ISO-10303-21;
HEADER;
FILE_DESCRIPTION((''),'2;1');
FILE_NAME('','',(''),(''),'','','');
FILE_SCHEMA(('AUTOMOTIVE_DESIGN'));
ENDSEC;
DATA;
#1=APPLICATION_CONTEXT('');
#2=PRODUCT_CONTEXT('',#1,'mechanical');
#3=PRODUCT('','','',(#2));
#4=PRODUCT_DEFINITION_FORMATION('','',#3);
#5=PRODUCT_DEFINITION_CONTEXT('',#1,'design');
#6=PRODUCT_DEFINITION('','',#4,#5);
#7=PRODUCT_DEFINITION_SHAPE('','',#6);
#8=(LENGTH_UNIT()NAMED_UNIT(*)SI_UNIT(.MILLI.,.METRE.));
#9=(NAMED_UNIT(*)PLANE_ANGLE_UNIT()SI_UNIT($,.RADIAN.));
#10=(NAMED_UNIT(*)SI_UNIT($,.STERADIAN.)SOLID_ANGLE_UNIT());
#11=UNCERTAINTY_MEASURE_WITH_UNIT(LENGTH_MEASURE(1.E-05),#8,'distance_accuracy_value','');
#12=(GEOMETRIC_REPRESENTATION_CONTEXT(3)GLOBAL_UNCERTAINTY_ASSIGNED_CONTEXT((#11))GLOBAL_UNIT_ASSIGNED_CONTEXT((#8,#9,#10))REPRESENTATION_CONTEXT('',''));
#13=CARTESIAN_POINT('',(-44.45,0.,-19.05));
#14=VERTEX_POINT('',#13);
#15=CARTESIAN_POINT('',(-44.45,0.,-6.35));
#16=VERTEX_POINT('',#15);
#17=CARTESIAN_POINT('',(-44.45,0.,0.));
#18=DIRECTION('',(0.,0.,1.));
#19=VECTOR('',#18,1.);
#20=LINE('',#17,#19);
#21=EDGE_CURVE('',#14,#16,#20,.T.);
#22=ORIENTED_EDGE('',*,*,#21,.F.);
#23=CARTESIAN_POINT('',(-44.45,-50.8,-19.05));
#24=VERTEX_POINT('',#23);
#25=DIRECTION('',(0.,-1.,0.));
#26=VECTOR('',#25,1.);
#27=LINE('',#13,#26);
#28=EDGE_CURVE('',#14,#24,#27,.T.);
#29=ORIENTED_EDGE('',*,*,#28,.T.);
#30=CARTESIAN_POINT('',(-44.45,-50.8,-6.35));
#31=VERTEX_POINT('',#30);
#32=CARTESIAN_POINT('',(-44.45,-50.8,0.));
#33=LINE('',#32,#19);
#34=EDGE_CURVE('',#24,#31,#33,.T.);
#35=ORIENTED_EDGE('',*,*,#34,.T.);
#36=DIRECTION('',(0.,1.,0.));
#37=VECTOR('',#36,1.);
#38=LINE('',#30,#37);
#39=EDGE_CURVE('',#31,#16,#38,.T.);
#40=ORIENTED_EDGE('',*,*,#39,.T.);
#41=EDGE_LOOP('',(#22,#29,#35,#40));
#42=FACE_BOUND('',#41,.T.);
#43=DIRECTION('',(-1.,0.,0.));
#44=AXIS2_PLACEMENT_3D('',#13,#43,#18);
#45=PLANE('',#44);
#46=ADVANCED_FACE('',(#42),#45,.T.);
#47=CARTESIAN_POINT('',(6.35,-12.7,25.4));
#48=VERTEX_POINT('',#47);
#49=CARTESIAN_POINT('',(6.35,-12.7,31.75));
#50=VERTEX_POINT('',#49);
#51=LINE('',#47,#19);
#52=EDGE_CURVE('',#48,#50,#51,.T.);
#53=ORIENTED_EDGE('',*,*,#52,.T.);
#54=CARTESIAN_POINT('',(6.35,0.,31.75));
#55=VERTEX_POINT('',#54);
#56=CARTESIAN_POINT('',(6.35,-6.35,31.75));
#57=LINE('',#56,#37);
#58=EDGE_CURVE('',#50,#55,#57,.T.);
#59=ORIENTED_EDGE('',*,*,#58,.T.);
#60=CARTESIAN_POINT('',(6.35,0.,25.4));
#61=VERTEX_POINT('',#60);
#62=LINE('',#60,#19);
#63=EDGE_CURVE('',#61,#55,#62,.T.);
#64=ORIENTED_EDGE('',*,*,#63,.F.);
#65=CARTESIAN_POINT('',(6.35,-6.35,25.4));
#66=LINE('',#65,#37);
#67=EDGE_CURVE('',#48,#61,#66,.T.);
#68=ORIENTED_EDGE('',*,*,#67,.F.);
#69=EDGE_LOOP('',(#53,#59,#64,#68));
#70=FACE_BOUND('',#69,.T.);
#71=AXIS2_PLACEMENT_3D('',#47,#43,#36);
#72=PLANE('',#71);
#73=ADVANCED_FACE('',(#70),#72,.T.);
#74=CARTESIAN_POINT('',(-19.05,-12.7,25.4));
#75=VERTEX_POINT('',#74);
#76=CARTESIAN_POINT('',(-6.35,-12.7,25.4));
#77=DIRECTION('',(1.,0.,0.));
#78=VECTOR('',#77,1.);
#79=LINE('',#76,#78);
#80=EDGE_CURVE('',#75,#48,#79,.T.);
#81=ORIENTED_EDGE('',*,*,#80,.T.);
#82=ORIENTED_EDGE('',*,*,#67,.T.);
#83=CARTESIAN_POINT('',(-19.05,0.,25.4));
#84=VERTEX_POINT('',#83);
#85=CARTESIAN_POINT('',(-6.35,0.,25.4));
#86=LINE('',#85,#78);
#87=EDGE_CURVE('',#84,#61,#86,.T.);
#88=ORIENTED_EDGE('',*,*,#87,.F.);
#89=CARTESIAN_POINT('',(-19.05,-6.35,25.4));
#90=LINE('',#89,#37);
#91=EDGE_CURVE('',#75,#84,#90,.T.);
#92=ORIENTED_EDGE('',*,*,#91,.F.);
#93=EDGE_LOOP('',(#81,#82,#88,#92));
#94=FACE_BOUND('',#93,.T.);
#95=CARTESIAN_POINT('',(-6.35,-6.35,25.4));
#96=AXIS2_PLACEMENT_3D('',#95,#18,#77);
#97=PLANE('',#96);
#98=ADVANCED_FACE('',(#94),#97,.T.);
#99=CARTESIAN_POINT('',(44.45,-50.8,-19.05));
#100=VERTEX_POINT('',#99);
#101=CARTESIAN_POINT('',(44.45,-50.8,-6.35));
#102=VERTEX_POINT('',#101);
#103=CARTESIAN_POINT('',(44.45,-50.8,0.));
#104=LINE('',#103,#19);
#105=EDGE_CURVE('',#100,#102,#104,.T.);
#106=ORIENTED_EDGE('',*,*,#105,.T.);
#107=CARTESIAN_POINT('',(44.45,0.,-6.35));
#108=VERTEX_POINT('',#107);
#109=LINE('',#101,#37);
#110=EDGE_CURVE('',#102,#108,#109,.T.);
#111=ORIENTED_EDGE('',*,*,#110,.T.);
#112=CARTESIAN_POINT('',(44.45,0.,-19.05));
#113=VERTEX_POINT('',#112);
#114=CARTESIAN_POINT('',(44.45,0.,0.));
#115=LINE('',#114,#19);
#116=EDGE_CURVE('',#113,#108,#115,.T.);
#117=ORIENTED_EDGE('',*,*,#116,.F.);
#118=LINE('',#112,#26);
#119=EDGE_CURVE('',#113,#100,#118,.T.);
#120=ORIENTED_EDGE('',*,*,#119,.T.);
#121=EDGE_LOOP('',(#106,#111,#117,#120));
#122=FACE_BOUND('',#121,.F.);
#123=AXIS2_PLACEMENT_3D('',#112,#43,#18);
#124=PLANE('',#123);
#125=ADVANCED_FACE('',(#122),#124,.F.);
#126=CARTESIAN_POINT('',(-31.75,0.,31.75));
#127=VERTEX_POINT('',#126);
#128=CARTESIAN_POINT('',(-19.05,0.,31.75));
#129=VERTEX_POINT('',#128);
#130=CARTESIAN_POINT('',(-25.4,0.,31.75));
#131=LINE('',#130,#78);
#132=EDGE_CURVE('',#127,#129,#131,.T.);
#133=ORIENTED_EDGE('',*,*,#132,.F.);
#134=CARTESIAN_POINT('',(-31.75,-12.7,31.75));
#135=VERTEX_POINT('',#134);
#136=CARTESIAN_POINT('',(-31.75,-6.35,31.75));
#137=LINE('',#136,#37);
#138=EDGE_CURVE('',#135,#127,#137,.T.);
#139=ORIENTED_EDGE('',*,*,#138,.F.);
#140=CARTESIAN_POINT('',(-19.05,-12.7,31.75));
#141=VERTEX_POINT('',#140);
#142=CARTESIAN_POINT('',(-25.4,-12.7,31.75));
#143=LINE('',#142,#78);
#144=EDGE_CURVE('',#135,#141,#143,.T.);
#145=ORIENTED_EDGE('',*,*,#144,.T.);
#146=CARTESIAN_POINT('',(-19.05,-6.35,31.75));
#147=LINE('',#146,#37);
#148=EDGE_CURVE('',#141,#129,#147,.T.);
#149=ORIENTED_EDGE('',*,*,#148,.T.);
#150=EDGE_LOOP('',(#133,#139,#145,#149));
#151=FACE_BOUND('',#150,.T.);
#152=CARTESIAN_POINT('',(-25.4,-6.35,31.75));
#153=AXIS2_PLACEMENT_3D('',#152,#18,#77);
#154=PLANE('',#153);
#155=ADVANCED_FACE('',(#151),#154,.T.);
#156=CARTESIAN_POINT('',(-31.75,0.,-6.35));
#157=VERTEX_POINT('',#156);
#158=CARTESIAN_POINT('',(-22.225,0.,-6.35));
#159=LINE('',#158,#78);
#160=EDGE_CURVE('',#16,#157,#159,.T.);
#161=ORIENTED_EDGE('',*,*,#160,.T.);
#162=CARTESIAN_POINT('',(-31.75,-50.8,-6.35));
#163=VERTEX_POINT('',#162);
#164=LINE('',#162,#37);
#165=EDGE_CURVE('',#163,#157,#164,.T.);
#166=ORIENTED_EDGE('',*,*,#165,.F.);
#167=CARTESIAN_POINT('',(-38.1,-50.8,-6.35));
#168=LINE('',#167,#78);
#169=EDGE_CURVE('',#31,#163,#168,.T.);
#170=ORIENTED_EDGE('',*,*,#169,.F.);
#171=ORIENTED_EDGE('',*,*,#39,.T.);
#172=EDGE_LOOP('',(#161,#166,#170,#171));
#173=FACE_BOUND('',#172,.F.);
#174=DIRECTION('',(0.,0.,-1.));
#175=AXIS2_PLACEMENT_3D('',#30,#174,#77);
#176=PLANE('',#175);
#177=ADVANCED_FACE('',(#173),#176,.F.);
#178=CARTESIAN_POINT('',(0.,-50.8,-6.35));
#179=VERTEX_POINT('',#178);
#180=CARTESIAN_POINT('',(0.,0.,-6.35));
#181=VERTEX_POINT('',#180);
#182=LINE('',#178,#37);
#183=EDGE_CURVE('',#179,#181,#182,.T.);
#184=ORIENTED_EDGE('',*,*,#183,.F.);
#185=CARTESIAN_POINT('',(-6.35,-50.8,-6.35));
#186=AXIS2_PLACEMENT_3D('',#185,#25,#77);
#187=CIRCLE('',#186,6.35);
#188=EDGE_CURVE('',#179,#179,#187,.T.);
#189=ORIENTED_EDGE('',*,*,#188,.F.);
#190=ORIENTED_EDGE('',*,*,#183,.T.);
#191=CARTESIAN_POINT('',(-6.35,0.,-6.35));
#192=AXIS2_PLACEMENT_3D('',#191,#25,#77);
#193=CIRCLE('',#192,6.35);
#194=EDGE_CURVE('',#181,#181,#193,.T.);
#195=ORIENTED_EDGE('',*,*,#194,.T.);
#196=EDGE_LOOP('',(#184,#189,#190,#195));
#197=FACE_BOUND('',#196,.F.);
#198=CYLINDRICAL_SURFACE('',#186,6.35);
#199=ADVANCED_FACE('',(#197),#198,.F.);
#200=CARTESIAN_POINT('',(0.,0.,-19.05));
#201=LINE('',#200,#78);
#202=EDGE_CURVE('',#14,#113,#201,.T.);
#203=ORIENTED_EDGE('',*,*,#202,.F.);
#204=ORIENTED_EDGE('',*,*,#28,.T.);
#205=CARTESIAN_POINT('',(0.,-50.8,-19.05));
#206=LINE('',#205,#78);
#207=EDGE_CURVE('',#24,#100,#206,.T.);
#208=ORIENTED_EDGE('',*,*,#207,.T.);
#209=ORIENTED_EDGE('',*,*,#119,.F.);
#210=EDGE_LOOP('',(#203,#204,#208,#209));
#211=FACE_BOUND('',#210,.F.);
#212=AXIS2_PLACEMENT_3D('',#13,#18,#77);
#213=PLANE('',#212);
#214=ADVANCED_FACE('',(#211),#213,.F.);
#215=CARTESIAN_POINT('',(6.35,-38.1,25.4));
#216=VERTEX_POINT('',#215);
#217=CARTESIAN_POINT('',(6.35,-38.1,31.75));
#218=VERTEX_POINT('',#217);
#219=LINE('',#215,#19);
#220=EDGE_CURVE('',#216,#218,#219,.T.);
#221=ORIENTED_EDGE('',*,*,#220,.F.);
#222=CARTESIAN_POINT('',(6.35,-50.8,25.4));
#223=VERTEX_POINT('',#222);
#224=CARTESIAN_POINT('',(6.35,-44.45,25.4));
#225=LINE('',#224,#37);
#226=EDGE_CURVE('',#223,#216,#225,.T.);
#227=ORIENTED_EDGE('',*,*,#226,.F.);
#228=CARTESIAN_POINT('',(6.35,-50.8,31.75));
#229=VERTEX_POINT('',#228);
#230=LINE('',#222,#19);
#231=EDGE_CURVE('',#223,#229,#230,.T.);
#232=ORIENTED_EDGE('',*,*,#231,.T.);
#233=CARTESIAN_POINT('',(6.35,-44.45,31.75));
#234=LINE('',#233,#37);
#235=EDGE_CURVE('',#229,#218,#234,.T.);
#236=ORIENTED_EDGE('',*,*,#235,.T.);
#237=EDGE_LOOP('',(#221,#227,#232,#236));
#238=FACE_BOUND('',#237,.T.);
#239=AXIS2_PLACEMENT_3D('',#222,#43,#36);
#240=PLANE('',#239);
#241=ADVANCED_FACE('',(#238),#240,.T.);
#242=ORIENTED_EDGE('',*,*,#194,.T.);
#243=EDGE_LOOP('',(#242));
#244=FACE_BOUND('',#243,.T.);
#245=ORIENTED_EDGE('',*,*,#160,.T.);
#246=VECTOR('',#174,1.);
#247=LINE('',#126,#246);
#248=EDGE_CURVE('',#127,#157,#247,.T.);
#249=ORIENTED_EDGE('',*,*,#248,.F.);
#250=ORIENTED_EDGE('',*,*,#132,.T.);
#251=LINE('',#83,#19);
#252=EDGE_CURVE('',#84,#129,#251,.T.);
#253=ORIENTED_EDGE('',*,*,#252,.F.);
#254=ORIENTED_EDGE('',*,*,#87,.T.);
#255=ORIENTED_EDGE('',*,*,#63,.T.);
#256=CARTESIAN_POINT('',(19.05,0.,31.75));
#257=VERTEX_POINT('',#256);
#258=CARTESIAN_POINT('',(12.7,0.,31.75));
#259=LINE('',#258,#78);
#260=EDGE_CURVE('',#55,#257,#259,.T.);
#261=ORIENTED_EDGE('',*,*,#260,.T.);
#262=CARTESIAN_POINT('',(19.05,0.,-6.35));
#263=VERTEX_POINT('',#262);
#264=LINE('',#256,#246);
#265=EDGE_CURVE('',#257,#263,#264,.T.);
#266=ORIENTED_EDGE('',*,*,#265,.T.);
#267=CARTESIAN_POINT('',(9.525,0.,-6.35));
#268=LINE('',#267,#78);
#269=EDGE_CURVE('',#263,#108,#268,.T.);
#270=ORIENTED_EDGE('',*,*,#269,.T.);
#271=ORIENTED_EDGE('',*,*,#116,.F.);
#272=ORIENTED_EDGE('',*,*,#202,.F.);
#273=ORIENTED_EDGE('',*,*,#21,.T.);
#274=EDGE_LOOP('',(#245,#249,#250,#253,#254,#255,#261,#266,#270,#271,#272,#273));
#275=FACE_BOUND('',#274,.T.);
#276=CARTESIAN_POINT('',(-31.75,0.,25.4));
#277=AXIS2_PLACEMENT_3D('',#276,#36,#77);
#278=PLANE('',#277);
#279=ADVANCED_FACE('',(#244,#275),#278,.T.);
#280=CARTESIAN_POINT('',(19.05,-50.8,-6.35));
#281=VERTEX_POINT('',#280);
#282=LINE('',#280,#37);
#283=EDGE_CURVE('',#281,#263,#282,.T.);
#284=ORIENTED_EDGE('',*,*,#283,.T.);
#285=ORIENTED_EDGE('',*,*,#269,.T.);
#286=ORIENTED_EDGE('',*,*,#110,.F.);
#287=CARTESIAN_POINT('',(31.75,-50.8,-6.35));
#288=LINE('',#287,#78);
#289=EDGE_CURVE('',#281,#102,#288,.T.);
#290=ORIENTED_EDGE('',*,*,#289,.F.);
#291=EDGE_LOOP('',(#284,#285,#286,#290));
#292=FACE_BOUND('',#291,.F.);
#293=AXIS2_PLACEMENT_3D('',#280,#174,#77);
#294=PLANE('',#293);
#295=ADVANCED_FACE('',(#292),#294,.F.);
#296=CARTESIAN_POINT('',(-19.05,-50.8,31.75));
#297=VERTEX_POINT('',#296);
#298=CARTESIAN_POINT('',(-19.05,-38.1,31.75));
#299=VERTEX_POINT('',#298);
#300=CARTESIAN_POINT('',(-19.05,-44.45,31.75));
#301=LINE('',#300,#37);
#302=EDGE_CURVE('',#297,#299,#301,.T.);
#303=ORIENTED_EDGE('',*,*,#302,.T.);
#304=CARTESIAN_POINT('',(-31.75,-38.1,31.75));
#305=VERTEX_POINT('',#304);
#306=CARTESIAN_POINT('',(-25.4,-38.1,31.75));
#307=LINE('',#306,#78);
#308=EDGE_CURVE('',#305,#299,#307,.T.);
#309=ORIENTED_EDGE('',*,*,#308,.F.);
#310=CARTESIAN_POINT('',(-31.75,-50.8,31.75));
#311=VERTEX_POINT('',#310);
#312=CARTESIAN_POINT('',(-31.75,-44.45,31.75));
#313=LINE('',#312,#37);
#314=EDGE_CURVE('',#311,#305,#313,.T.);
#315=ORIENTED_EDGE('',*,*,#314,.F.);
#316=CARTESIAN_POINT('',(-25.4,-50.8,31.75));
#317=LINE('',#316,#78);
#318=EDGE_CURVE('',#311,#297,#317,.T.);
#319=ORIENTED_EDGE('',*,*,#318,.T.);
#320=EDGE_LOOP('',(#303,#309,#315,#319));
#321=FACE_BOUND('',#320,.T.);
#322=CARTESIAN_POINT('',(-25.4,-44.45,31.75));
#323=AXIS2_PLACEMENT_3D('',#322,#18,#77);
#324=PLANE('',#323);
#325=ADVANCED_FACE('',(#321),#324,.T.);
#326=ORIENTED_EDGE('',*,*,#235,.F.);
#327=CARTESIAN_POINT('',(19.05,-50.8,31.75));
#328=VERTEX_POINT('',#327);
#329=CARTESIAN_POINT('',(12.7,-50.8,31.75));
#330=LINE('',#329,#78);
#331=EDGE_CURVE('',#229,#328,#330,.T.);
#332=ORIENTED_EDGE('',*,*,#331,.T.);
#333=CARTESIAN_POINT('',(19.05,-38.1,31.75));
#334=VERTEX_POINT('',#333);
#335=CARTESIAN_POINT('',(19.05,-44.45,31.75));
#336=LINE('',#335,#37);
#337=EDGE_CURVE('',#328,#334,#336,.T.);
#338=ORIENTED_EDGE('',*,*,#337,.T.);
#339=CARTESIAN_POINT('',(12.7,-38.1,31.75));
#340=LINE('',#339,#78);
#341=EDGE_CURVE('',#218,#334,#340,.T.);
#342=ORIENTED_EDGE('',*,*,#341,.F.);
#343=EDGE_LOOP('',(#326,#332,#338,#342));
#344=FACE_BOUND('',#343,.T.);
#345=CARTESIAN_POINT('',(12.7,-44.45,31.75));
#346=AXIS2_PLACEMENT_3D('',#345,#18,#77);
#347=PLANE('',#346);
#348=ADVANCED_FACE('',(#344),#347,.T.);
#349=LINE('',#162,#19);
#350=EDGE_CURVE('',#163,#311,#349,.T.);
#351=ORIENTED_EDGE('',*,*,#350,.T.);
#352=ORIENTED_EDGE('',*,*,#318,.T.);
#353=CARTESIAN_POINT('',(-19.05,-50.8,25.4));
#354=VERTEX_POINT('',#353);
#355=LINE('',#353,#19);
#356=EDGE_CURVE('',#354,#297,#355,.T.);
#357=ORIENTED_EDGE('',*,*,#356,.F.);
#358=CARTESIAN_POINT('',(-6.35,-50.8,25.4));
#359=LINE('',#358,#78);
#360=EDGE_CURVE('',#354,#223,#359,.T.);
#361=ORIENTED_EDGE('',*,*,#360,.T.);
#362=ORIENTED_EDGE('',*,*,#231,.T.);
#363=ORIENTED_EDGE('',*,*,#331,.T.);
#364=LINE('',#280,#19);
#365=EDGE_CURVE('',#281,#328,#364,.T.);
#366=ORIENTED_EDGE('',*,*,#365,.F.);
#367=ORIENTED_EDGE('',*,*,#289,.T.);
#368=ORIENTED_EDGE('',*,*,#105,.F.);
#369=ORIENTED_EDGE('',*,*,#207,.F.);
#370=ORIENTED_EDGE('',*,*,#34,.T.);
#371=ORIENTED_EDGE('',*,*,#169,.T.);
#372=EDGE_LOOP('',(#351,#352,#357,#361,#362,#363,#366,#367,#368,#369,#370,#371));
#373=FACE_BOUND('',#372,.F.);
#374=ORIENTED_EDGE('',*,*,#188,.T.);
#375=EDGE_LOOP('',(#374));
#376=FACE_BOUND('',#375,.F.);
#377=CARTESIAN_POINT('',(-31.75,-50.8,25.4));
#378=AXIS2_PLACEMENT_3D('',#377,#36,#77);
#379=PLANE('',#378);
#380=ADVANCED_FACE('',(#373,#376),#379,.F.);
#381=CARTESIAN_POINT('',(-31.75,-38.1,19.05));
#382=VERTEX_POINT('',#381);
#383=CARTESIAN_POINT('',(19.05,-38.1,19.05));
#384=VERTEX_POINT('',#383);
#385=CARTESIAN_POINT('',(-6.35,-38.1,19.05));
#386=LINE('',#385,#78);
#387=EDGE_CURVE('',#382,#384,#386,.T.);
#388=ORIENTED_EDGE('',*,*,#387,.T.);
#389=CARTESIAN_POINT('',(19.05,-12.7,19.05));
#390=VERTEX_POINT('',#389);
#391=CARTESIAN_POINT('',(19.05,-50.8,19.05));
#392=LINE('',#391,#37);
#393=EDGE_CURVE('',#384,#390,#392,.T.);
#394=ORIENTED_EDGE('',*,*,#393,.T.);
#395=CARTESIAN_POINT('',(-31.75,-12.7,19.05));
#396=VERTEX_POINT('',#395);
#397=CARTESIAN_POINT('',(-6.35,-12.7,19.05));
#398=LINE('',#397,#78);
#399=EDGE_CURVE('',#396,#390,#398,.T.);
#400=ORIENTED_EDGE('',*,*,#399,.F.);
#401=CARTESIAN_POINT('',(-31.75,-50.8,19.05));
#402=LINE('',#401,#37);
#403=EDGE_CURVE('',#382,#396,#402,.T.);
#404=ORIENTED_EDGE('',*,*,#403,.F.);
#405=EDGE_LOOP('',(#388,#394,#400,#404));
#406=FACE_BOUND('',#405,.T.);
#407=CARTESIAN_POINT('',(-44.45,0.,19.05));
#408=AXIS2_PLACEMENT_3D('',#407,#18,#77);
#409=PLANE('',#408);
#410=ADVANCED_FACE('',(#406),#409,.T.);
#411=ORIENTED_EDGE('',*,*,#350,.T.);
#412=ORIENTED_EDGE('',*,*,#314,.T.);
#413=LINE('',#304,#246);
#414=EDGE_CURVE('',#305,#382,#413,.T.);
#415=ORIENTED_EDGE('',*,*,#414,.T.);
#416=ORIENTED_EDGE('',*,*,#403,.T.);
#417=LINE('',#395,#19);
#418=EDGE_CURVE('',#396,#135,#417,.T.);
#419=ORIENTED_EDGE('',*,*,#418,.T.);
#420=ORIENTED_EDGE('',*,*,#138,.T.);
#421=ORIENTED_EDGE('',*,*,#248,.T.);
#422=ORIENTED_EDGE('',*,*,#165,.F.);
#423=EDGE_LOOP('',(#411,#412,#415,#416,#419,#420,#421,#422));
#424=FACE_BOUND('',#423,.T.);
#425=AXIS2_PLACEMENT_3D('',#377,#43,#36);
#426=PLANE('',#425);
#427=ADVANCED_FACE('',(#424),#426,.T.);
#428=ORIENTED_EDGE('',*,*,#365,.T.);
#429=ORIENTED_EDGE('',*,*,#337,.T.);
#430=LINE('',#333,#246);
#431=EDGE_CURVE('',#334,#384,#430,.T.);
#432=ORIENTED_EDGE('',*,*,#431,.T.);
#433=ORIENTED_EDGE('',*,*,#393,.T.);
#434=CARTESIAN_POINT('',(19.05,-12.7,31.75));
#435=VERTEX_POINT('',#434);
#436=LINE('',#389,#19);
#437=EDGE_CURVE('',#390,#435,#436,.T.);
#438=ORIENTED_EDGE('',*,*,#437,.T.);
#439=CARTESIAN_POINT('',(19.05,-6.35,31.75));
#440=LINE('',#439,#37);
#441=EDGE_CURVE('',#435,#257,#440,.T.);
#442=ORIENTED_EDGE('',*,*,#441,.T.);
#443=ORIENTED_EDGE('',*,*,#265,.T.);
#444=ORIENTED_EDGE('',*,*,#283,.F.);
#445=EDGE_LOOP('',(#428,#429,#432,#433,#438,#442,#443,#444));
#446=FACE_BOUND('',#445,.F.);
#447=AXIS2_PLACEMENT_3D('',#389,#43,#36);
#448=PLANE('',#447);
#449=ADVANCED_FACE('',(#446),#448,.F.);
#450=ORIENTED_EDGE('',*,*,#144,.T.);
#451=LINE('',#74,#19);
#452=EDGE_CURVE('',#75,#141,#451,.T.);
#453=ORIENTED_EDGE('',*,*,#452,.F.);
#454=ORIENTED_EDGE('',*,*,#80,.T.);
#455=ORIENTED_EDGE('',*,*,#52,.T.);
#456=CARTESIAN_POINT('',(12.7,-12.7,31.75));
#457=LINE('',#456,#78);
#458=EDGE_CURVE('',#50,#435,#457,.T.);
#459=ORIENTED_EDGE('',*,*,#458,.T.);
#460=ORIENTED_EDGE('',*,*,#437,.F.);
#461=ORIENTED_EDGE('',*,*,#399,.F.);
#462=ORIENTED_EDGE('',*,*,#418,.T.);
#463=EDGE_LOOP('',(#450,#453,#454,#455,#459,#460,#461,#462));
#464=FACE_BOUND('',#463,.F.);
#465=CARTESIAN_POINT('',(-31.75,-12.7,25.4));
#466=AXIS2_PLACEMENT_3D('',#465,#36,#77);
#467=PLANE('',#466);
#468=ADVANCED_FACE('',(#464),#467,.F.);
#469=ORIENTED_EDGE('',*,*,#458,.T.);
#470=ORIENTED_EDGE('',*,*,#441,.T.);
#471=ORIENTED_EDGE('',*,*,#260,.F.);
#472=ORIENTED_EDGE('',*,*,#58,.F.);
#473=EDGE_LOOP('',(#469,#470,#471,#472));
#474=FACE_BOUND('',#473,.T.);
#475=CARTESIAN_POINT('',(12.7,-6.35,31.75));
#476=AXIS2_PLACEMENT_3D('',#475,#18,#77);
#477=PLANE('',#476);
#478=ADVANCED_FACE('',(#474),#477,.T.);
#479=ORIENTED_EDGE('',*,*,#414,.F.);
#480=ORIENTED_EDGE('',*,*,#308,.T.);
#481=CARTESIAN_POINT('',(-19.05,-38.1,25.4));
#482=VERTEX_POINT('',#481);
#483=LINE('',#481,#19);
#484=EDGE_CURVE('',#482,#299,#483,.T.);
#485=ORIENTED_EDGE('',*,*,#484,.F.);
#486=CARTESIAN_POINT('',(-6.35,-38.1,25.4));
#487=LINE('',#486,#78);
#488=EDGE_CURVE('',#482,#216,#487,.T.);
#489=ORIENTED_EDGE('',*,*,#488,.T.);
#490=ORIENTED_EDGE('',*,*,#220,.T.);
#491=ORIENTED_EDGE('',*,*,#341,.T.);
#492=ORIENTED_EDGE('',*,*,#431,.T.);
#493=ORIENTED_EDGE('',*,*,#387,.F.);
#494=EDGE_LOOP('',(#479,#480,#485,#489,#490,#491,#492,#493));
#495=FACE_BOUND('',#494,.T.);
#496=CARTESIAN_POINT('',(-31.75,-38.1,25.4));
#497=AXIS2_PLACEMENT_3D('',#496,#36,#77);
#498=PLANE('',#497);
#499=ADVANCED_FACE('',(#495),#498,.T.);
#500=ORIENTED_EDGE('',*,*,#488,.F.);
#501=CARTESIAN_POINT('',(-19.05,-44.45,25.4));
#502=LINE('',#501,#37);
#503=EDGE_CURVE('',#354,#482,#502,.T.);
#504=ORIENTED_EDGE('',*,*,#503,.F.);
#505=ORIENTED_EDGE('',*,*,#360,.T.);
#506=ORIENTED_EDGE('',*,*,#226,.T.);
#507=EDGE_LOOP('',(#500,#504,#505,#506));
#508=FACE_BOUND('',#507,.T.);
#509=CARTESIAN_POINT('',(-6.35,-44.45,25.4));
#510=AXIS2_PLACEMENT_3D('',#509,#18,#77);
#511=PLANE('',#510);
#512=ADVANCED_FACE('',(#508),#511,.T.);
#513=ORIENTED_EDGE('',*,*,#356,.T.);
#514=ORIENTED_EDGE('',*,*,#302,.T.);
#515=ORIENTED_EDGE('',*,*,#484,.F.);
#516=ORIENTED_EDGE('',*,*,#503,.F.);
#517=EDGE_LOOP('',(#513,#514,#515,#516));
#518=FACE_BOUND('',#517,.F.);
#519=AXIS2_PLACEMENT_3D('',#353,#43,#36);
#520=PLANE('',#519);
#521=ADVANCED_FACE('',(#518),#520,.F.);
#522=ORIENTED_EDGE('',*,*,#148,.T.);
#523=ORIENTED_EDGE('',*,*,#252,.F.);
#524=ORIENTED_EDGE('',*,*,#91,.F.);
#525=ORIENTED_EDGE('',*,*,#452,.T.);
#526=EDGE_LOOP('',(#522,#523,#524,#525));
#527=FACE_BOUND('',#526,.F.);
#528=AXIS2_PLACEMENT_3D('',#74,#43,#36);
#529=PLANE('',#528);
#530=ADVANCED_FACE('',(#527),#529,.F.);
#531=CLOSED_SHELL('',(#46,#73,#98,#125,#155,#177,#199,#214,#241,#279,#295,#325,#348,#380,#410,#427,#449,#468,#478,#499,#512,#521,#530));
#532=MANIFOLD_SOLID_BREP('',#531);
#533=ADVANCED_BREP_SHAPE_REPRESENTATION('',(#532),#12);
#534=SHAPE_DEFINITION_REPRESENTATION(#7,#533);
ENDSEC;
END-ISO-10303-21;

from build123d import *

# Parameters (mm, degrees)
F0_W      = 88.9
F0_H      = 38.1
F1_DEPTH  = 50.8
F2_W      = 12.7
F2_H      = 25.4
F3_DEPTH  = 50.801
F4_W      = 25.4
F4_H      = 25.4
F5_DEPTH  = 50.801
F6_W      = 50.8
F6_H      = 12.7
F7_DEPTH  = 6.35
F8_W      = 12.7
F8_H      = 12.7
F9_DEPTH  = 6.35
F10_W     = 12.7
F10_H     = 12.7
F11_DEPTH = 6.35
F12_R     = 6.35
F13_DEPTH = 50.801


with BuildPart() as f1:
    # F0 (on Front) → F1 (new body)
    with BuildSketch(Plane.XZ):
        Rectangle(F0_W, F0_H)
    extrude(amount=F1_DEPTH)

    # F2 (on face) → F3 (cut, through all)
    with BuildSketch(Plane.XZ.offset(50.8)):
        with Locations((-38.1, 6.35)):
            Rectangle(F2_W, F2_H)
    extrude(amount=-F3_DEPTH, mode=Mode.SUBTRACT)

    # F4 (on face) → F5 (cut, through all)
    with BuildSketch(Plane.XZ.offset(50.8)):
        with Locations((31.75, 6.35)):
            Rectangle(F4_W, F4_H)
    extrude(amount=-F5_DEPTH, mode=Mode.SUBTRACT)

    # F6 (on face) → F7 (join)
    with BuildSketch(Plane.XY.offset(19.05)):
        with Locations((-6.35, -6.35)):
            Rectangle(F6_W, F6_H)
        with Locations((-6.35, -44.45)):
            Rectangle(F6_W, F6_H)
    extrude(amount=F7_DEPTH)

    # F8 (on face) → F9 (join)
    with BuildSketch(Plane.XY.offset(25.4)):
        with Locations((-25.4, -6.35)):
            Rectangle(F8_W, F8_H)
        with Locations((12.7, -6.35)):
            Rectangle(F8_W, F8_H)
    extrude(amount=F9_DEPTH)

    # F10 (on face) → F11 (join)
    with BuildSketch(Plane.XY.offset(25.4)):
        with Locations((-25.4, -44.45)):
            Rectangle(F10_W, F10_H)
        with Locations((12.7, -44.45)):
            Rectangle(F10_W, F10_H)
    extrude(amount=F11_DEPTH)

    # F12 (on face) → F13 (cut, through all)
    with BuildSketch(Plane.XZ.offset(50.8)):
        with Locations((-6.35, -6.35)):
            Circle(F12_R)
    extrude(amount=-F13_DEPTH, mode=Mode.SUBTRACT)


solid = f1.part
